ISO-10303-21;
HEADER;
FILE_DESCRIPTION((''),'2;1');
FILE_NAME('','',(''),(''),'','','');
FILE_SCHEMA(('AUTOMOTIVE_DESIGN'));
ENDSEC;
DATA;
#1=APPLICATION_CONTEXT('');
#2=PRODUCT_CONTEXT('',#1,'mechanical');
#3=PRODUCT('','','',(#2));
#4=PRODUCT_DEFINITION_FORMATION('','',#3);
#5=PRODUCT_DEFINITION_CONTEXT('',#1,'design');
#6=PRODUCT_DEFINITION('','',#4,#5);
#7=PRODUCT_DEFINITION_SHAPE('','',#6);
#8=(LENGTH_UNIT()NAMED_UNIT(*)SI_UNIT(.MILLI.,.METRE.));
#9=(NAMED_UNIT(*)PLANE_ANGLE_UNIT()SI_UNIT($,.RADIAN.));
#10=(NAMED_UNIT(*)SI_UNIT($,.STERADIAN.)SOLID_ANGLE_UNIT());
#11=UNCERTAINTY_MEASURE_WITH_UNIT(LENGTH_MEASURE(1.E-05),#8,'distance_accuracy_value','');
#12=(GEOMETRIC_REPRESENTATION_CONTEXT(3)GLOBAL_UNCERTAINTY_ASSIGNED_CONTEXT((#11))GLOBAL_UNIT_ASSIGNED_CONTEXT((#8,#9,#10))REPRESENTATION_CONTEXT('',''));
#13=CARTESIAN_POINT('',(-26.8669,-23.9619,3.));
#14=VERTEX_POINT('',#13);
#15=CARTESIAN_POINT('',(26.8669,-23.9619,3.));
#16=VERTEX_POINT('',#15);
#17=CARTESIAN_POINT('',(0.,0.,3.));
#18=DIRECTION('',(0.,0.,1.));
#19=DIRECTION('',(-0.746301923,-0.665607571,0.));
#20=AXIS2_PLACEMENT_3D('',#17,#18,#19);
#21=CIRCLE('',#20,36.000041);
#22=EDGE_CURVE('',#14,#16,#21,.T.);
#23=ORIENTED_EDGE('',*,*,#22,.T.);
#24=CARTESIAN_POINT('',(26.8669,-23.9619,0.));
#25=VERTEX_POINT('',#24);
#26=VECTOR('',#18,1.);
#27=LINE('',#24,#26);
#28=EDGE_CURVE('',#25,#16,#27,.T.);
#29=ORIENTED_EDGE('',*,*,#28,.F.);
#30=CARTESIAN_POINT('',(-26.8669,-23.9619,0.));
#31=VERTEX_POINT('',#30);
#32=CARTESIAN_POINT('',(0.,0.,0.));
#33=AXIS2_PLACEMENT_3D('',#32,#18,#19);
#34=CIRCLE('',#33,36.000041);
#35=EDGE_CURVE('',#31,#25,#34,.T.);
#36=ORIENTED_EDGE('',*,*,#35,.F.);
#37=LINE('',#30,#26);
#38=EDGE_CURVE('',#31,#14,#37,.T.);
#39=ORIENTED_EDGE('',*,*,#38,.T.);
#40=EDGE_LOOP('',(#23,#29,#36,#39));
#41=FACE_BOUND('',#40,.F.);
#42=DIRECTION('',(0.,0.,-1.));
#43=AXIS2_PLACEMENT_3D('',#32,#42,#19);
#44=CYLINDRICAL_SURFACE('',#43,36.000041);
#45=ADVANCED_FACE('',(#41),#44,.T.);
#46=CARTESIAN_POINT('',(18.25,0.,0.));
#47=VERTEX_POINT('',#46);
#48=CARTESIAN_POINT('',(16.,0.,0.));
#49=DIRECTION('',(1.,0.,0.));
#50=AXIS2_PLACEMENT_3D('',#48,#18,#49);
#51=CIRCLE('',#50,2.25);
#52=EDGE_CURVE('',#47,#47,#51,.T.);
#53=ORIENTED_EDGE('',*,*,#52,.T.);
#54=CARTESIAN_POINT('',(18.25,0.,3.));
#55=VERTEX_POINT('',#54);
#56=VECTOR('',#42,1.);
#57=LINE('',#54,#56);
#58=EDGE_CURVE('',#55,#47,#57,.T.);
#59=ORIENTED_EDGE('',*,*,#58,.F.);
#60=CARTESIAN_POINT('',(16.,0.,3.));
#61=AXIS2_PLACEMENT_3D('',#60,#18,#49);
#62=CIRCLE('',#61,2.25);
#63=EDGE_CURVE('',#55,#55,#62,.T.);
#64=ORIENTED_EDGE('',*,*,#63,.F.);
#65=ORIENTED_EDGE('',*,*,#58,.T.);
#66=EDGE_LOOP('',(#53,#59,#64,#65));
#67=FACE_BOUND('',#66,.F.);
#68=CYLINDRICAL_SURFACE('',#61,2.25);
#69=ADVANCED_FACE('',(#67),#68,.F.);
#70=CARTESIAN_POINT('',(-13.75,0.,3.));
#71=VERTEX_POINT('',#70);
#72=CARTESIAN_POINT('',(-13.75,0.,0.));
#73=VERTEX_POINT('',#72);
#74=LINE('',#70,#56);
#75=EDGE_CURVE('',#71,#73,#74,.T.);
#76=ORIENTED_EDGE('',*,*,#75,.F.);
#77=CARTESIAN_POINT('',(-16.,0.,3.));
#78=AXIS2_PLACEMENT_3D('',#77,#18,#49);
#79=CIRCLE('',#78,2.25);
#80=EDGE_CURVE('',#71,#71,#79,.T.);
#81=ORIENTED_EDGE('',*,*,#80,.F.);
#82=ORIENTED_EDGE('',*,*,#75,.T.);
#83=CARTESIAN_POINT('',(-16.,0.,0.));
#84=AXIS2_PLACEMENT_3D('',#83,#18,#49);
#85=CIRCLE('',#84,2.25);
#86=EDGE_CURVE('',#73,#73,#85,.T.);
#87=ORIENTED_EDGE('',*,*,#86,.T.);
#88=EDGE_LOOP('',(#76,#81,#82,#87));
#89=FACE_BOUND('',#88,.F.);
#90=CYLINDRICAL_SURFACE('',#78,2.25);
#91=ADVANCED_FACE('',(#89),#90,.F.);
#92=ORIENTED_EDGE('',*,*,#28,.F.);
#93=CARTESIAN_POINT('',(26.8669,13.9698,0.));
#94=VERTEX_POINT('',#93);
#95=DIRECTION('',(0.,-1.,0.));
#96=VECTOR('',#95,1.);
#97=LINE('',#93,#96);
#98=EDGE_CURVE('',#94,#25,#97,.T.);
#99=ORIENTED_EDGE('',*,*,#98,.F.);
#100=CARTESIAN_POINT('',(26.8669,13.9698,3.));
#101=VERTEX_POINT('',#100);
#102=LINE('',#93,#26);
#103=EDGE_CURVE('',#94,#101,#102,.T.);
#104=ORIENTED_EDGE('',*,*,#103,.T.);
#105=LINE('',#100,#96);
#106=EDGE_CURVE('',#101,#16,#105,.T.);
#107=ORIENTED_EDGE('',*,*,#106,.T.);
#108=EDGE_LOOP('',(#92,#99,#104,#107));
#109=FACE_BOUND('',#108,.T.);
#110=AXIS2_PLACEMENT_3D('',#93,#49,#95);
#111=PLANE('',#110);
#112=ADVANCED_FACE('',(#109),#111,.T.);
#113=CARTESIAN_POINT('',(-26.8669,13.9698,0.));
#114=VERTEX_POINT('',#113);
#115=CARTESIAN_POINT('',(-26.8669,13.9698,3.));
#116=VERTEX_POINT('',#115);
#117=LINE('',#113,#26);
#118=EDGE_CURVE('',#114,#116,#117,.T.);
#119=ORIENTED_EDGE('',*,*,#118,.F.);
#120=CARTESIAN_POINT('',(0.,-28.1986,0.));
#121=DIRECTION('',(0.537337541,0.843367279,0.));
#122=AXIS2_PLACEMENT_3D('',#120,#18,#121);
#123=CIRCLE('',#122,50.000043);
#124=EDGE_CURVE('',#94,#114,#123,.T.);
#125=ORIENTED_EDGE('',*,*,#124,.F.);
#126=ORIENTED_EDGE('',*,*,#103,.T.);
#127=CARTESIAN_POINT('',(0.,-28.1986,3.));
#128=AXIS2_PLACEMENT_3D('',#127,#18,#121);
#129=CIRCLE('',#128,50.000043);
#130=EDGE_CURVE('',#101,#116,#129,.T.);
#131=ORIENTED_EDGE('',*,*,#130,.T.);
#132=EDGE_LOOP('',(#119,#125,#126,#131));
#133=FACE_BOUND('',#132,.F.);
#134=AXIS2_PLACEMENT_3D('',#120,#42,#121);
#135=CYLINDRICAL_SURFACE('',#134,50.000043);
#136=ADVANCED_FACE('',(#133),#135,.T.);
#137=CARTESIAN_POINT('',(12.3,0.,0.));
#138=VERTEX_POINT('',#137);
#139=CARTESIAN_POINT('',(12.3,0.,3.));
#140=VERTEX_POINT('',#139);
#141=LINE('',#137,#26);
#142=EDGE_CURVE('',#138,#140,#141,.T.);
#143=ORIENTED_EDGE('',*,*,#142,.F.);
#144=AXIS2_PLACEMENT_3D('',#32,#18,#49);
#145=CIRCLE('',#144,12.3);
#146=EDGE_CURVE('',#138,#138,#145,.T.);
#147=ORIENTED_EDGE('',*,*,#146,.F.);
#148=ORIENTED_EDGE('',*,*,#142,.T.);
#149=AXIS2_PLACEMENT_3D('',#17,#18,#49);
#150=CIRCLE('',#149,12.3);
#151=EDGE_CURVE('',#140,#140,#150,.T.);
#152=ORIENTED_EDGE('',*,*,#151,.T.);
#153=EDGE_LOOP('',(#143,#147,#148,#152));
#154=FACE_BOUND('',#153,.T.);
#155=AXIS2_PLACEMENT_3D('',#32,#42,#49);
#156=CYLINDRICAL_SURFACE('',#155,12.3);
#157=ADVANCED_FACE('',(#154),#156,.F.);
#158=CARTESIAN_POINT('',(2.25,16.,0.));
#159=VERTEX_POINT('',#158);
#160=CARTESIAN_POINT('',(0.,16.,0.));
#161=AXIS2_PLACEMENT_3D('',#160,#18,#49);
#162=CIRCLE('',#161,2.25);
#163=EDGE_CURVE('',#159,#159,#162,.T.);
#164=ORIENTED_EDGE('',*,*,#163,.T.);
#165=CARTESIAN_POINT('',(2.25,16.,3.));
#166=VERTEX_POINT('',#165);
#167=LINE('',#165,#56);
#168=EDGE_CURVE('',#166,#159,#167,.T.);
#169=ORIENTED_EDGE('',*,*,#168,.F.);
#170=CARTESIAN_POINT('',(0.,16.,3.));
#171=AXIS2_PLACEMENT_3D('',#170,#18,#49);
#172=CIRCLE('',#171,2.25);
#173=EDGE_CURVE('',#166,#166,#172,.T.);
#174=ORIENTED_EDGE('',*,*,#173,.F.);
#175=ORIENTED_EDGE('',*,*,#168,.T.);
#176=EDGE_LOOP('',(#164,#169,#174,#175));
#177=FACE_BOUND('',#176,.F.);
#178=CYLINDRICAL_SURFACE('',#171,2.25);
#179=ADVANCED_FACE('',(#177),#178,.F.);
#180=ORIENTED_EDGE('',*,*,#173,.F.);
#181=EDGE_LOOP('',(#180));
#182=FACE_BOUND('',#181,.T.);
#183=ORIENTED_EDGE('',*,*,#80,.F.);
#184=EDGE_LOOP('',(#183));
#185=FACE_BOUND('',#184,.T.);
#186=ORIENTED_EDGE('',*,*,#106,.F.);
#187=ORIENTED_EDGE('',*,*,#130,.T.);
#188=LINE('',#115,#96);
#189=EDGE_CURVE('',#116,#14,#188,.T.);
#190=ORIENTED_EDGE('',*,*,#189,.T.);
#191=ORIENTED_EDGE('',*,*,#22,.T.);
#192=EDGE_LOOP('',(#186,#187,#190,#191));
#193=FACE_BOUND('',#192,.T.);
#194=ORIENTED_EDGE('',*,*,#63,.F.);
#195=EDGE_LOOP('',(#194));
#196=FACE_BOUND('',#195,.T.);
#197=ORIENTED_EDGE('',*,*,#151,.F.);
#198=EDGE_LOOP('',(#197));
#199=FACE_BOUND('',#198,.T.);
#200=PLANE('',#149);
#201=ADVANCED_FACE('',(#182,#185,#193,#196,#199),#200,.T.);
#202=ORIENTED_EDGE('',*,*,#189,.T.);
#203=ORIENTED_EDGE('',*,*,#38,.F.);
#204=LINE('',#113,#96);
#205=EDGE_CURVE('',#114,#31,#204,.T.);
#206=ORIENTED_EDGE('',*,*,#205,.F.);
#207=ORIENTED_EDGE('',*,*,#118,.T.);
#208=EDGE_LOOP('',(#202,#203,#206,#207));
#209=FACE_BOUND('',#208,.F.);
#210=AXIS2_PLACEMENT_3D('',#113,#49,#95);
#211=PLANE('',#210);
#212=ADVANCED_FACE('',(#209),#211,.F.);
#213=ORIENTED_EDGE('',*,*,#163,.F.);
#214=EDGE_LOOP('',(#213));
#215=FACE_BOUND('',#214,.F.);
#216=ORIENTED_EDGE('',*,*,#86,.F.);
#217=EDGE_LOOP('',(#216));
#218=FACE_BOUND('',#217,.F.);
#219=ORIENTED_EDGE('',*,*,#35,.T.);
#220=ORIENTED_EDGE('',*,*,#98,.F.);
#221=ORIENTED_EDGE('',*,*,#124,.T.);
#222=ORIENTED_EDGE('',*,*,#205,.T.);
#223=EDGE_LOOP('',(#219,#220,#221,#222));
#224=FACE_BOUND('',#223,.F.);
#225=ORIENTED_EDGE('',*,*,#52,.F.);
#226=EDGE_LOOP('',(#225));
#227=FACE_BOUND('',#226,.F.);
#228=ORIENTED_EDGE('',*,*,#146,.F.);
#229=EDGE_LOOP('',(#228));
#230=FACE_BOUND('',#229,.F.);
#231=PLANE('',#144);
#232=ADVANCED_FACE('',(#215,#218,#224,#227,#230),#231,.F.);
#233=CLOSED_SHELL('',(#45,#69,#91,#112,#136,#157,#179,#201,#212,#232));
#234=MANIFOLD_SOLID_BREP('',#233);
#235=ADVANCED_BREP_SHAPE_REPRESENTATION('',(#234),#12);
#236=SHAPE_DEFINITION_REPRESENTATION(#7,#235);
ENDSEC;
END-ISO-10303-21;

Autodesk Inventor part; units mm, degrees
ref_plane "YZ Plane" through (0, 0, 0) normal (1, 0, 0) x (0, 1, 0)
ref_plane "XZ Plane" through (0, 0, 0) normal (0, 1, 0) x (-1, 0, 0)
ref_plane "XY Plane" through (0, 0, 0) normal (0, 0, 1) x (1, 0, 0)
sketch "Sketch1" plane through (0, 0, 0) normal (0, 0, 1) x (1, 0, 0)
  circle A0 centre (0, 0) radius 12.3
  arc A1 (-26.8669, -23.9619) -> (26.8669, -23.9619) centre (0, 0) ccw
  line L0 (-26.8669, 13.9698) -> (-26.8669, -23.9619)
  line L1 (26.8669, 13.9698) -> (26.8669, -23.9619)
  arc A2 (26.8669, -23.9619) -> (-26.8669, -23.9619) centre (0, 0) ccw construction
  arc A3 (-26.8669, 13.9698) -> (26.8669, 13.9698) centre (0, 0) ccw construction
  arc A4 (26.8669, 13.9698) -> (-26.8669, 13.9698) centre (0, -28.1986) ccw
  line L2 (0, -28.1986) -> (0, 0) construction
  dimension "d0" = 24.6
  dimension "d1" = 72
  dimension "d13" = 50
extrude "Extrusion1" add sketch "Sketch1" along normal blind 3
sketch "Sketch2" plane through (0, 0, 3) normal (0, 0, 1) x (1, 0, 0)
  circle A0 centre (-16, 0) radius 2.25
  circle A1 centre (16, 0) radius 2.25
  circle A2 centre (0, 16) radius 2.25
  line L0 (0, 0) -> (0, 16) construction
  line L1 (0, 0) -> (16, 0) construction
  line L2 (0, 0) -> (-16, 0) construction
  dimension "d5" = 4.5
  dimension "d6" = 4.5
  dimension "d7" = 4.5
  dimension "d8" = 16
  dimension "d9" = 16
  dimension "d10" = 16
extrude "Extrusion2" cut sketch "Sketch2" against normal blind 3
equation "\"d9\" = d8"
equation "\"d10\" = d8"
properties part number "Gear Protection Piece" material "Aluminum 6061"
